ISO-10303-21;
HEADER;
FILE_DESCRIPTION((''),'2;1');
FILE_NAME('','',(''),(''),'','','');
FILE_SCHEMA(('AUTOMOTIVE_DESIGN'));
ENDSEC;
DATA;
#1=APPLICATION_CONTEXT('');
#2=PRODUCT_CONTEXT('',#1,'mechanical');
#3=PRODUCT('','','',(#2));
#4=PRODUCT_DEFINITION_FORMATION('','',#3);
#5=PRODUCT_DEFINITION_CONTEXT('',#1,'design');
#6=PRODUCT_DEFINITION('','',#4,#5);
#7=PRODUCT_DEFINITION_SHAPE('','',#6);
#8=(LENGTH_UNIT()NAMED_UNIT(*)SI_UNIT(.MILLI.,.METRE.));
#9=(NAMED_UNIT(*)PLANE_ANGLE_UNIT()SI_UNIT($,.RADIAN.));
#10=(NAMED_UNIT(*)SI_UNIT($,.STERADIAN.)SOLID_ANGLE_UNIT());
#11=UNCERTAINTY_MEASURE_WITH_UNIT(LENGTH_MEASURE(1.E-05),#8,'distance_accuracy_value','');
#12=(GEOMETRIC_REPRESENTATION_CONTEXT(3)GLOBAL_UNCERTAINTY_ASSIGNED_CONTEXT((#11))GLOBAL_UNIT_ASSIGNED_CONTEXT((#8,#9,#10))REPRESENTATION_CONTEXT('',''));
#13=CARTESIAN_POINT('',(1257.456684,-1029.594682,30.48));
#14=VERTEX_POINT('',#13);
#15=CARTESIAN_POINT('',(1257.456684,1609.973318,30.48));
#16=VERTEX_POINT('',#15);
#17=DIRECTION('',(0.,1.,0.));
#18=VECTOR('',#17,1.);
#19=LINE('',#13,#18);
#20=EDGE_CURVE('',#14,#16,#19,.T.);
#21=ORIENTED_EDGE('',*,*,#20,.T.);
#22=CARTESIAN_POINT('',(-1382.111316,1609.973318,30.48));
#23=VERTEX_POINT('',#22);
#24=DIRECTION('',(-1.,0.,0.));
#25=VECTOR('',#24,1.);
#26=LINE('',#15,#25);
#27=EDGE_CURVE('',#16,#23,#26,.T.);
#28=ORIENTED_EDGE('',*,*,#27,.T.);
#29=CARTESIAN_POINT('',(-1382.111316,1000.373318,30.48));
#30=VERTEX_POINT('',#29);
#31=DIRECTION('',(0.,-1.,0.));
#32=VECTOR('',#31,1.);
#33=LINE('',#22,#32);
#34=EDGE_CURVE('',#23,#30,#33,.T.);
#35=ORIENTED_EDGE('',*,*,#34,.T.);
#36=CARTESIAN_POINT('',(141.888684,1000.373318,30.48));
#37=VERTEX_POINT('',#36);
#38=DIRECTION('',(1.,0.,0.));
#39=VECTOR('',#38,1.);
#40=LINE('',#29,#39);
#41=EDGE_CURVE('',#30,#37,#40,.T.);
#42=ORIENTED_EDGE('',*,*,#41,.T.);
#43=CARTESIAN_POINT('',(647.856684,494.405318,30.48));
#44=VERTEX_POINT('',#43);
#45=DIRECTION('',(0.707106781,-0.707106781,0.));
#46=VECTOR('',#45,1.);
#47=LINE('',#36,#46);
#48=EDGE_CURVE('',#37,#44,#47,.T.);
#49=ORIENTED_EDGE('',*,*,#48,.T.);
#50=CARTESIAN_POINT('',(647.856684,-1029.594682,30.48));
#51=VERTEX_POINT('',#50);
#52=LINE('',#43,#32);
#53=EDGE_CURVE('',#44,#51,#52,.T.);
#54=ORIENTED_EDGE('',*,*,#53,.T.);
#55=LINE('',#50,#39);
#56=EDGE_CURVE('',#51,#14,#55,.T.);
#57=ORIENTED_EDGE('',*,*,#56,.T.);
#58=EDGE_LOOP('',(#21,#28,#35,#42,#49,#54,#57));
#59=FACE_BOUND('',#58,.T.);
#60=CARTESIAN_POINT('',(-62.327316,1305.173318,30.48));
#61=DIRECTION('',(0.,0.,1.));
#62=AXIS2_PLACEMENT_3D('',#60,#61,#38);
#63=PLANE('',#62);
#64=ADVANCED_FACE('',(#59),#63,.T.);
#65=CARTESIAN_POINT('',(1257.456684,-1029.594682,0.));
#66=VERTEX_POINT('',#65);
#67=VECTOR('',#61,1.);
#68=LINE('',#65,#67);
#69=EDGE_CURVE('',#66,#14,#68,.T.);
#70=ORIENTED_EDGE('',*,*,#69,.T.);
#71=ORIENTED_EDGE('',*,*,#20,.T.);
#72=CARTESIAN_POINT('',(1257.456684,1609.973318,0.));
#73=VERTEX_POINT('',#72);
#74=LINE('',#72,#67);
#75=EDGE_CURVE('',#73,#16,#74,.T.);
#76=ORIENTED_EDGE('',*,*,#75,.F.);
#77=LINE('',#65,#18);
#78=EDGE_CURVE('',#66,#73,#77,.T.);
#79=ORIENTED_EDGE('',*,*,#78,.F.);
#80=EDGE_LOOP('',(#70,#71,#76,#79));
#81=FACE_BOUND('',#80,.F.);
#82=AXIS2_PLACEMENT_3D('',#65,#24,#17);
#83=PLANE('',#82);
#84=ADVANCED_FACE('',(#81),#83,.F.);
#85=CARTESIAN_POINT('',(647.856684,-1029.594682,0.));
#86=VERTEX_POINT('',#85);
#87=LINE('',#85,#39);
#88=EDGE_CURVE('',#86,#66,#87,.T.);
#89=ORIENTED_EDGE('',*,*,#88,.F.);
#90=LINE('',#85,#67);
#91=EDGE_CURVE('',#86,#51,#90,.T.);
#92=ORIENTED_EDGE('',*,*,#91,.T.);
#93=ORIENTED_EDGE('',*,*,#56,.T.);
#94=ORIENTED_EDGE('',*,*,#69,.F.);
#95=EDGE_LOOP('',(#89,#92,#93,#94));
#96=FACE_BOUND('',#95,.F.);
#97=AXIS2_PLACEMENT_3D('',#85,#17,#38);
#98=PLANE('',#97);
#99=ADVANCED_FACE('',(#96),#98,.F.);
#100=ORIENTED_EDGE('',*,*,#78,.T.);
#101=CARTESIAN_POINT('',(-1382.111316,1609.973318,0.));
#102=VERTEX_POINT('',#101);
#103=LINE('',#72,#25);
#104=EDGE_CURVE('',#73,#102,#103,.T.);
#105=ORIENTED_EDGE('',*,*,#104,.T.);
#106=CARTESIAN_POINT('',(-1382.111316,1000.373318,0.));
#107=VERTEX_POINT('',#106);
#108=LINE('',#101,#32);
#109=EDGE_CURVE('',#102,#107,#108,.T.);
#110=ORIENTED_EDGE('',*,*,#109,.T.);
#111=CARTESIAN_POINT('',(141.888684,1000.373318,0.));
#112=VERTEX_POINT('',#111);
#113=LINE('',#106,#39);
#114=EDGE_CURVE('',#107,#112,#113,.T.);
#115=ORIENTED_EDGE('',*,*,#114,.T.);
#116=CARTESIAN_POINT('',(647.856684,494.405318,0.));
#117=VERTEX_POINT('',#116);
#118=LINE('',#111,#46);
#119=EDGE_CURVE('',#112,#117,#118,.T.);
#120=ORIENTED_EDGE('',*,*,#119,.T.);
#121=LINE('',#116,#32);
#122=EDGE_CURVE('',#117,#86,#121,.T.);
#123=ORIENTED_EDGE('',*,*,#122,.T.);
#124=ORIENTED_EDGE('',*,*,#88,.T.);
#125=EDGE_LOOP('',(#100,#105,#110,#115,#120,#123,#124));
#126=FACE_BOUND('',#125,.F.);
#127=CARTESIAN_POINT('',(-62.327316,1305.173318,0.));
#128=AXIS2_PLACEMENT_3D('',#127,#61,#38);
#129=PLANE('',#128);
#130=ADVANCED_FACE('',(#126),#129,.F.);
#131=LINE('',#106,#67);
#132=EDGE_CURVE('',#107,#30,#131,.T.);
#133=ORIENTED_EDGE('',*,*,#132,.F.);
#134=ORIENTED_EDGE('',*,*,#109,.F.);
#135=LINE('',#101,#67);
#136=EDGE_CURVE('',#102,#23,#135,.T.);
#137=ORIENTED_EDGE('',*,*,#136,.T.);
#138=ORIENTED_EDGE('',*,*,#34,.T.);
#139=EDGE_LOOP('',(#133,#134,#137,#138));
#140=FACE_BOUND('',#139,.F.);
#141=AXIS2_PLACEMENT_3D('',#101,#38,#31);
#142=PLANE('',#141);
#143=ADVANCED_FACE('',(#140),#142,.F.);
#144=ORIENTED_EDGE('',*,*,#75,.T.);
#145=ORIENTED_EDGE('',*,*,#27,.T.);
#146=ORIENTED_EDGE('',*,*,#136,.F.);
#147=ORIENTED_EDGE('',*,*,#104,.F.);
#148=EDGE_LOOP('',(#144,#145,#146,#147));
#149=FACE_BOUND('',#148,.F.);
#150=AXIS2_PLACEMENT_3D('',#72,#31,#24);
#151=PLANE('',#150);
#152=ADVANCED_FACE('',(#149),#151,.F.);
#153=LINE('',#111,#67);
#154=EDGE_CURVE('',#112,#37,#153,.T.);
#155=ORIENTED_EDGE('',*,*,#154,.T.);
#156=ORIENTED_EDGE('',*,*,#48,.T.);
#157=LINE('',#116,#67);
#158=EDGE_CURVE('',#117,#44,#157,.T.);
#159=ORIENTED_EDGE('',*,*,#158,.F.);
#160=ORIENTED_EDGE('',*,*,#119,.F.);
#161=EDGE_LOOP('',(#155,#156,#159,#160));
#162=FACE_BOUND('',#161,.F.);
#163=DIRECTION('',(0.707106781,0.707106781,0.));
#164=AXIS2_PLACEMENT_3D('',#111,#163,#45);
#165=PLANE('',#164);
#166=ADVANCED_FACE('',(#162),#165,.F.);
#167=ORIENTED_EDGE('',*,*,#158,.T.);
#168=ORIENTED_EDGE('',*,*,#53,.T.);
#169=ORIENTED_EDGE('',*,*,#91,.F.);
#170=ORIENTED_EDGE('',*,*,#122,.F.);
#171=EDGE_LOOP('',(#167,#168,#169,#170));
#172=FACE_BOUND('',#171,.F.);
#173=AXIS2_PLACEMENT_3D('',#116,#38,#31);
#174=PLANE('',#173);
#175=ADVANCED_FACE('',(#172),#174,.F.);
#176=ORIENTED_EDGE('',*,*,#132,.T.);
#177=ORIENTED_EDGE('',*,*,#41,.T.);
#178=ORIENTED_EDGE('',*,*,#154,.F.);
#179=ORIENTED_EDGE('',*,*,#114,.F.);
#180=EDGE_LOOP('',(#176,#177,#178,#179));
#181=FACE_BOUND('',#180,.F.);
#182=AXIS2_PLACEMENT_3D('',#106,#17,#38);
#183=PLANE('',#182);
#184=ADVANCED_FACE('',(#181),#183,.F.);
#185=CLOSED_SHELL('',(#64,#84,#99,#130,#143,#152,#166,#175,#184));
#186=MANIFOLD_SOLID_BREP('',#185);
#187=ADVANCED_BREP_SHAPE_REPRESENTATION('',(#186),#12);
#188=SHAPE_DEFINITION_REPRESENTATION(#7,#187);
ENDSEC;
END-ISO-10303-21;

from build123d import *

# Parameters (mm, degrees)
F2_DEPTH = 30.48


with BuildPart() as f2:
    # F1 (on Top) → F2 (new body)
    with BuildSketch(Plane.XY):
        Polygon((1257.456684, 1609.973318), (-1382.111316, 1609.973318), (-1382.111316, 1000.373318), (141.888684, 1000.373318), (647.856684, 1000.373318), (1257.456684, 1000.373318), align=None)
        Polygon((647.856684, 1000.373318), (141.888684, 1000.373318), (647.856684, 494.405318), align=None)
        Polygon((1257.456684, -1029.594682), (1257.456684, 1000.373318), (647.856684, 1000.373318), (647.856684, 494.405318), (647.856684, -1029.594682), align=None)
    extrude(amount=F2_DEPTH)


solid = f2.part
